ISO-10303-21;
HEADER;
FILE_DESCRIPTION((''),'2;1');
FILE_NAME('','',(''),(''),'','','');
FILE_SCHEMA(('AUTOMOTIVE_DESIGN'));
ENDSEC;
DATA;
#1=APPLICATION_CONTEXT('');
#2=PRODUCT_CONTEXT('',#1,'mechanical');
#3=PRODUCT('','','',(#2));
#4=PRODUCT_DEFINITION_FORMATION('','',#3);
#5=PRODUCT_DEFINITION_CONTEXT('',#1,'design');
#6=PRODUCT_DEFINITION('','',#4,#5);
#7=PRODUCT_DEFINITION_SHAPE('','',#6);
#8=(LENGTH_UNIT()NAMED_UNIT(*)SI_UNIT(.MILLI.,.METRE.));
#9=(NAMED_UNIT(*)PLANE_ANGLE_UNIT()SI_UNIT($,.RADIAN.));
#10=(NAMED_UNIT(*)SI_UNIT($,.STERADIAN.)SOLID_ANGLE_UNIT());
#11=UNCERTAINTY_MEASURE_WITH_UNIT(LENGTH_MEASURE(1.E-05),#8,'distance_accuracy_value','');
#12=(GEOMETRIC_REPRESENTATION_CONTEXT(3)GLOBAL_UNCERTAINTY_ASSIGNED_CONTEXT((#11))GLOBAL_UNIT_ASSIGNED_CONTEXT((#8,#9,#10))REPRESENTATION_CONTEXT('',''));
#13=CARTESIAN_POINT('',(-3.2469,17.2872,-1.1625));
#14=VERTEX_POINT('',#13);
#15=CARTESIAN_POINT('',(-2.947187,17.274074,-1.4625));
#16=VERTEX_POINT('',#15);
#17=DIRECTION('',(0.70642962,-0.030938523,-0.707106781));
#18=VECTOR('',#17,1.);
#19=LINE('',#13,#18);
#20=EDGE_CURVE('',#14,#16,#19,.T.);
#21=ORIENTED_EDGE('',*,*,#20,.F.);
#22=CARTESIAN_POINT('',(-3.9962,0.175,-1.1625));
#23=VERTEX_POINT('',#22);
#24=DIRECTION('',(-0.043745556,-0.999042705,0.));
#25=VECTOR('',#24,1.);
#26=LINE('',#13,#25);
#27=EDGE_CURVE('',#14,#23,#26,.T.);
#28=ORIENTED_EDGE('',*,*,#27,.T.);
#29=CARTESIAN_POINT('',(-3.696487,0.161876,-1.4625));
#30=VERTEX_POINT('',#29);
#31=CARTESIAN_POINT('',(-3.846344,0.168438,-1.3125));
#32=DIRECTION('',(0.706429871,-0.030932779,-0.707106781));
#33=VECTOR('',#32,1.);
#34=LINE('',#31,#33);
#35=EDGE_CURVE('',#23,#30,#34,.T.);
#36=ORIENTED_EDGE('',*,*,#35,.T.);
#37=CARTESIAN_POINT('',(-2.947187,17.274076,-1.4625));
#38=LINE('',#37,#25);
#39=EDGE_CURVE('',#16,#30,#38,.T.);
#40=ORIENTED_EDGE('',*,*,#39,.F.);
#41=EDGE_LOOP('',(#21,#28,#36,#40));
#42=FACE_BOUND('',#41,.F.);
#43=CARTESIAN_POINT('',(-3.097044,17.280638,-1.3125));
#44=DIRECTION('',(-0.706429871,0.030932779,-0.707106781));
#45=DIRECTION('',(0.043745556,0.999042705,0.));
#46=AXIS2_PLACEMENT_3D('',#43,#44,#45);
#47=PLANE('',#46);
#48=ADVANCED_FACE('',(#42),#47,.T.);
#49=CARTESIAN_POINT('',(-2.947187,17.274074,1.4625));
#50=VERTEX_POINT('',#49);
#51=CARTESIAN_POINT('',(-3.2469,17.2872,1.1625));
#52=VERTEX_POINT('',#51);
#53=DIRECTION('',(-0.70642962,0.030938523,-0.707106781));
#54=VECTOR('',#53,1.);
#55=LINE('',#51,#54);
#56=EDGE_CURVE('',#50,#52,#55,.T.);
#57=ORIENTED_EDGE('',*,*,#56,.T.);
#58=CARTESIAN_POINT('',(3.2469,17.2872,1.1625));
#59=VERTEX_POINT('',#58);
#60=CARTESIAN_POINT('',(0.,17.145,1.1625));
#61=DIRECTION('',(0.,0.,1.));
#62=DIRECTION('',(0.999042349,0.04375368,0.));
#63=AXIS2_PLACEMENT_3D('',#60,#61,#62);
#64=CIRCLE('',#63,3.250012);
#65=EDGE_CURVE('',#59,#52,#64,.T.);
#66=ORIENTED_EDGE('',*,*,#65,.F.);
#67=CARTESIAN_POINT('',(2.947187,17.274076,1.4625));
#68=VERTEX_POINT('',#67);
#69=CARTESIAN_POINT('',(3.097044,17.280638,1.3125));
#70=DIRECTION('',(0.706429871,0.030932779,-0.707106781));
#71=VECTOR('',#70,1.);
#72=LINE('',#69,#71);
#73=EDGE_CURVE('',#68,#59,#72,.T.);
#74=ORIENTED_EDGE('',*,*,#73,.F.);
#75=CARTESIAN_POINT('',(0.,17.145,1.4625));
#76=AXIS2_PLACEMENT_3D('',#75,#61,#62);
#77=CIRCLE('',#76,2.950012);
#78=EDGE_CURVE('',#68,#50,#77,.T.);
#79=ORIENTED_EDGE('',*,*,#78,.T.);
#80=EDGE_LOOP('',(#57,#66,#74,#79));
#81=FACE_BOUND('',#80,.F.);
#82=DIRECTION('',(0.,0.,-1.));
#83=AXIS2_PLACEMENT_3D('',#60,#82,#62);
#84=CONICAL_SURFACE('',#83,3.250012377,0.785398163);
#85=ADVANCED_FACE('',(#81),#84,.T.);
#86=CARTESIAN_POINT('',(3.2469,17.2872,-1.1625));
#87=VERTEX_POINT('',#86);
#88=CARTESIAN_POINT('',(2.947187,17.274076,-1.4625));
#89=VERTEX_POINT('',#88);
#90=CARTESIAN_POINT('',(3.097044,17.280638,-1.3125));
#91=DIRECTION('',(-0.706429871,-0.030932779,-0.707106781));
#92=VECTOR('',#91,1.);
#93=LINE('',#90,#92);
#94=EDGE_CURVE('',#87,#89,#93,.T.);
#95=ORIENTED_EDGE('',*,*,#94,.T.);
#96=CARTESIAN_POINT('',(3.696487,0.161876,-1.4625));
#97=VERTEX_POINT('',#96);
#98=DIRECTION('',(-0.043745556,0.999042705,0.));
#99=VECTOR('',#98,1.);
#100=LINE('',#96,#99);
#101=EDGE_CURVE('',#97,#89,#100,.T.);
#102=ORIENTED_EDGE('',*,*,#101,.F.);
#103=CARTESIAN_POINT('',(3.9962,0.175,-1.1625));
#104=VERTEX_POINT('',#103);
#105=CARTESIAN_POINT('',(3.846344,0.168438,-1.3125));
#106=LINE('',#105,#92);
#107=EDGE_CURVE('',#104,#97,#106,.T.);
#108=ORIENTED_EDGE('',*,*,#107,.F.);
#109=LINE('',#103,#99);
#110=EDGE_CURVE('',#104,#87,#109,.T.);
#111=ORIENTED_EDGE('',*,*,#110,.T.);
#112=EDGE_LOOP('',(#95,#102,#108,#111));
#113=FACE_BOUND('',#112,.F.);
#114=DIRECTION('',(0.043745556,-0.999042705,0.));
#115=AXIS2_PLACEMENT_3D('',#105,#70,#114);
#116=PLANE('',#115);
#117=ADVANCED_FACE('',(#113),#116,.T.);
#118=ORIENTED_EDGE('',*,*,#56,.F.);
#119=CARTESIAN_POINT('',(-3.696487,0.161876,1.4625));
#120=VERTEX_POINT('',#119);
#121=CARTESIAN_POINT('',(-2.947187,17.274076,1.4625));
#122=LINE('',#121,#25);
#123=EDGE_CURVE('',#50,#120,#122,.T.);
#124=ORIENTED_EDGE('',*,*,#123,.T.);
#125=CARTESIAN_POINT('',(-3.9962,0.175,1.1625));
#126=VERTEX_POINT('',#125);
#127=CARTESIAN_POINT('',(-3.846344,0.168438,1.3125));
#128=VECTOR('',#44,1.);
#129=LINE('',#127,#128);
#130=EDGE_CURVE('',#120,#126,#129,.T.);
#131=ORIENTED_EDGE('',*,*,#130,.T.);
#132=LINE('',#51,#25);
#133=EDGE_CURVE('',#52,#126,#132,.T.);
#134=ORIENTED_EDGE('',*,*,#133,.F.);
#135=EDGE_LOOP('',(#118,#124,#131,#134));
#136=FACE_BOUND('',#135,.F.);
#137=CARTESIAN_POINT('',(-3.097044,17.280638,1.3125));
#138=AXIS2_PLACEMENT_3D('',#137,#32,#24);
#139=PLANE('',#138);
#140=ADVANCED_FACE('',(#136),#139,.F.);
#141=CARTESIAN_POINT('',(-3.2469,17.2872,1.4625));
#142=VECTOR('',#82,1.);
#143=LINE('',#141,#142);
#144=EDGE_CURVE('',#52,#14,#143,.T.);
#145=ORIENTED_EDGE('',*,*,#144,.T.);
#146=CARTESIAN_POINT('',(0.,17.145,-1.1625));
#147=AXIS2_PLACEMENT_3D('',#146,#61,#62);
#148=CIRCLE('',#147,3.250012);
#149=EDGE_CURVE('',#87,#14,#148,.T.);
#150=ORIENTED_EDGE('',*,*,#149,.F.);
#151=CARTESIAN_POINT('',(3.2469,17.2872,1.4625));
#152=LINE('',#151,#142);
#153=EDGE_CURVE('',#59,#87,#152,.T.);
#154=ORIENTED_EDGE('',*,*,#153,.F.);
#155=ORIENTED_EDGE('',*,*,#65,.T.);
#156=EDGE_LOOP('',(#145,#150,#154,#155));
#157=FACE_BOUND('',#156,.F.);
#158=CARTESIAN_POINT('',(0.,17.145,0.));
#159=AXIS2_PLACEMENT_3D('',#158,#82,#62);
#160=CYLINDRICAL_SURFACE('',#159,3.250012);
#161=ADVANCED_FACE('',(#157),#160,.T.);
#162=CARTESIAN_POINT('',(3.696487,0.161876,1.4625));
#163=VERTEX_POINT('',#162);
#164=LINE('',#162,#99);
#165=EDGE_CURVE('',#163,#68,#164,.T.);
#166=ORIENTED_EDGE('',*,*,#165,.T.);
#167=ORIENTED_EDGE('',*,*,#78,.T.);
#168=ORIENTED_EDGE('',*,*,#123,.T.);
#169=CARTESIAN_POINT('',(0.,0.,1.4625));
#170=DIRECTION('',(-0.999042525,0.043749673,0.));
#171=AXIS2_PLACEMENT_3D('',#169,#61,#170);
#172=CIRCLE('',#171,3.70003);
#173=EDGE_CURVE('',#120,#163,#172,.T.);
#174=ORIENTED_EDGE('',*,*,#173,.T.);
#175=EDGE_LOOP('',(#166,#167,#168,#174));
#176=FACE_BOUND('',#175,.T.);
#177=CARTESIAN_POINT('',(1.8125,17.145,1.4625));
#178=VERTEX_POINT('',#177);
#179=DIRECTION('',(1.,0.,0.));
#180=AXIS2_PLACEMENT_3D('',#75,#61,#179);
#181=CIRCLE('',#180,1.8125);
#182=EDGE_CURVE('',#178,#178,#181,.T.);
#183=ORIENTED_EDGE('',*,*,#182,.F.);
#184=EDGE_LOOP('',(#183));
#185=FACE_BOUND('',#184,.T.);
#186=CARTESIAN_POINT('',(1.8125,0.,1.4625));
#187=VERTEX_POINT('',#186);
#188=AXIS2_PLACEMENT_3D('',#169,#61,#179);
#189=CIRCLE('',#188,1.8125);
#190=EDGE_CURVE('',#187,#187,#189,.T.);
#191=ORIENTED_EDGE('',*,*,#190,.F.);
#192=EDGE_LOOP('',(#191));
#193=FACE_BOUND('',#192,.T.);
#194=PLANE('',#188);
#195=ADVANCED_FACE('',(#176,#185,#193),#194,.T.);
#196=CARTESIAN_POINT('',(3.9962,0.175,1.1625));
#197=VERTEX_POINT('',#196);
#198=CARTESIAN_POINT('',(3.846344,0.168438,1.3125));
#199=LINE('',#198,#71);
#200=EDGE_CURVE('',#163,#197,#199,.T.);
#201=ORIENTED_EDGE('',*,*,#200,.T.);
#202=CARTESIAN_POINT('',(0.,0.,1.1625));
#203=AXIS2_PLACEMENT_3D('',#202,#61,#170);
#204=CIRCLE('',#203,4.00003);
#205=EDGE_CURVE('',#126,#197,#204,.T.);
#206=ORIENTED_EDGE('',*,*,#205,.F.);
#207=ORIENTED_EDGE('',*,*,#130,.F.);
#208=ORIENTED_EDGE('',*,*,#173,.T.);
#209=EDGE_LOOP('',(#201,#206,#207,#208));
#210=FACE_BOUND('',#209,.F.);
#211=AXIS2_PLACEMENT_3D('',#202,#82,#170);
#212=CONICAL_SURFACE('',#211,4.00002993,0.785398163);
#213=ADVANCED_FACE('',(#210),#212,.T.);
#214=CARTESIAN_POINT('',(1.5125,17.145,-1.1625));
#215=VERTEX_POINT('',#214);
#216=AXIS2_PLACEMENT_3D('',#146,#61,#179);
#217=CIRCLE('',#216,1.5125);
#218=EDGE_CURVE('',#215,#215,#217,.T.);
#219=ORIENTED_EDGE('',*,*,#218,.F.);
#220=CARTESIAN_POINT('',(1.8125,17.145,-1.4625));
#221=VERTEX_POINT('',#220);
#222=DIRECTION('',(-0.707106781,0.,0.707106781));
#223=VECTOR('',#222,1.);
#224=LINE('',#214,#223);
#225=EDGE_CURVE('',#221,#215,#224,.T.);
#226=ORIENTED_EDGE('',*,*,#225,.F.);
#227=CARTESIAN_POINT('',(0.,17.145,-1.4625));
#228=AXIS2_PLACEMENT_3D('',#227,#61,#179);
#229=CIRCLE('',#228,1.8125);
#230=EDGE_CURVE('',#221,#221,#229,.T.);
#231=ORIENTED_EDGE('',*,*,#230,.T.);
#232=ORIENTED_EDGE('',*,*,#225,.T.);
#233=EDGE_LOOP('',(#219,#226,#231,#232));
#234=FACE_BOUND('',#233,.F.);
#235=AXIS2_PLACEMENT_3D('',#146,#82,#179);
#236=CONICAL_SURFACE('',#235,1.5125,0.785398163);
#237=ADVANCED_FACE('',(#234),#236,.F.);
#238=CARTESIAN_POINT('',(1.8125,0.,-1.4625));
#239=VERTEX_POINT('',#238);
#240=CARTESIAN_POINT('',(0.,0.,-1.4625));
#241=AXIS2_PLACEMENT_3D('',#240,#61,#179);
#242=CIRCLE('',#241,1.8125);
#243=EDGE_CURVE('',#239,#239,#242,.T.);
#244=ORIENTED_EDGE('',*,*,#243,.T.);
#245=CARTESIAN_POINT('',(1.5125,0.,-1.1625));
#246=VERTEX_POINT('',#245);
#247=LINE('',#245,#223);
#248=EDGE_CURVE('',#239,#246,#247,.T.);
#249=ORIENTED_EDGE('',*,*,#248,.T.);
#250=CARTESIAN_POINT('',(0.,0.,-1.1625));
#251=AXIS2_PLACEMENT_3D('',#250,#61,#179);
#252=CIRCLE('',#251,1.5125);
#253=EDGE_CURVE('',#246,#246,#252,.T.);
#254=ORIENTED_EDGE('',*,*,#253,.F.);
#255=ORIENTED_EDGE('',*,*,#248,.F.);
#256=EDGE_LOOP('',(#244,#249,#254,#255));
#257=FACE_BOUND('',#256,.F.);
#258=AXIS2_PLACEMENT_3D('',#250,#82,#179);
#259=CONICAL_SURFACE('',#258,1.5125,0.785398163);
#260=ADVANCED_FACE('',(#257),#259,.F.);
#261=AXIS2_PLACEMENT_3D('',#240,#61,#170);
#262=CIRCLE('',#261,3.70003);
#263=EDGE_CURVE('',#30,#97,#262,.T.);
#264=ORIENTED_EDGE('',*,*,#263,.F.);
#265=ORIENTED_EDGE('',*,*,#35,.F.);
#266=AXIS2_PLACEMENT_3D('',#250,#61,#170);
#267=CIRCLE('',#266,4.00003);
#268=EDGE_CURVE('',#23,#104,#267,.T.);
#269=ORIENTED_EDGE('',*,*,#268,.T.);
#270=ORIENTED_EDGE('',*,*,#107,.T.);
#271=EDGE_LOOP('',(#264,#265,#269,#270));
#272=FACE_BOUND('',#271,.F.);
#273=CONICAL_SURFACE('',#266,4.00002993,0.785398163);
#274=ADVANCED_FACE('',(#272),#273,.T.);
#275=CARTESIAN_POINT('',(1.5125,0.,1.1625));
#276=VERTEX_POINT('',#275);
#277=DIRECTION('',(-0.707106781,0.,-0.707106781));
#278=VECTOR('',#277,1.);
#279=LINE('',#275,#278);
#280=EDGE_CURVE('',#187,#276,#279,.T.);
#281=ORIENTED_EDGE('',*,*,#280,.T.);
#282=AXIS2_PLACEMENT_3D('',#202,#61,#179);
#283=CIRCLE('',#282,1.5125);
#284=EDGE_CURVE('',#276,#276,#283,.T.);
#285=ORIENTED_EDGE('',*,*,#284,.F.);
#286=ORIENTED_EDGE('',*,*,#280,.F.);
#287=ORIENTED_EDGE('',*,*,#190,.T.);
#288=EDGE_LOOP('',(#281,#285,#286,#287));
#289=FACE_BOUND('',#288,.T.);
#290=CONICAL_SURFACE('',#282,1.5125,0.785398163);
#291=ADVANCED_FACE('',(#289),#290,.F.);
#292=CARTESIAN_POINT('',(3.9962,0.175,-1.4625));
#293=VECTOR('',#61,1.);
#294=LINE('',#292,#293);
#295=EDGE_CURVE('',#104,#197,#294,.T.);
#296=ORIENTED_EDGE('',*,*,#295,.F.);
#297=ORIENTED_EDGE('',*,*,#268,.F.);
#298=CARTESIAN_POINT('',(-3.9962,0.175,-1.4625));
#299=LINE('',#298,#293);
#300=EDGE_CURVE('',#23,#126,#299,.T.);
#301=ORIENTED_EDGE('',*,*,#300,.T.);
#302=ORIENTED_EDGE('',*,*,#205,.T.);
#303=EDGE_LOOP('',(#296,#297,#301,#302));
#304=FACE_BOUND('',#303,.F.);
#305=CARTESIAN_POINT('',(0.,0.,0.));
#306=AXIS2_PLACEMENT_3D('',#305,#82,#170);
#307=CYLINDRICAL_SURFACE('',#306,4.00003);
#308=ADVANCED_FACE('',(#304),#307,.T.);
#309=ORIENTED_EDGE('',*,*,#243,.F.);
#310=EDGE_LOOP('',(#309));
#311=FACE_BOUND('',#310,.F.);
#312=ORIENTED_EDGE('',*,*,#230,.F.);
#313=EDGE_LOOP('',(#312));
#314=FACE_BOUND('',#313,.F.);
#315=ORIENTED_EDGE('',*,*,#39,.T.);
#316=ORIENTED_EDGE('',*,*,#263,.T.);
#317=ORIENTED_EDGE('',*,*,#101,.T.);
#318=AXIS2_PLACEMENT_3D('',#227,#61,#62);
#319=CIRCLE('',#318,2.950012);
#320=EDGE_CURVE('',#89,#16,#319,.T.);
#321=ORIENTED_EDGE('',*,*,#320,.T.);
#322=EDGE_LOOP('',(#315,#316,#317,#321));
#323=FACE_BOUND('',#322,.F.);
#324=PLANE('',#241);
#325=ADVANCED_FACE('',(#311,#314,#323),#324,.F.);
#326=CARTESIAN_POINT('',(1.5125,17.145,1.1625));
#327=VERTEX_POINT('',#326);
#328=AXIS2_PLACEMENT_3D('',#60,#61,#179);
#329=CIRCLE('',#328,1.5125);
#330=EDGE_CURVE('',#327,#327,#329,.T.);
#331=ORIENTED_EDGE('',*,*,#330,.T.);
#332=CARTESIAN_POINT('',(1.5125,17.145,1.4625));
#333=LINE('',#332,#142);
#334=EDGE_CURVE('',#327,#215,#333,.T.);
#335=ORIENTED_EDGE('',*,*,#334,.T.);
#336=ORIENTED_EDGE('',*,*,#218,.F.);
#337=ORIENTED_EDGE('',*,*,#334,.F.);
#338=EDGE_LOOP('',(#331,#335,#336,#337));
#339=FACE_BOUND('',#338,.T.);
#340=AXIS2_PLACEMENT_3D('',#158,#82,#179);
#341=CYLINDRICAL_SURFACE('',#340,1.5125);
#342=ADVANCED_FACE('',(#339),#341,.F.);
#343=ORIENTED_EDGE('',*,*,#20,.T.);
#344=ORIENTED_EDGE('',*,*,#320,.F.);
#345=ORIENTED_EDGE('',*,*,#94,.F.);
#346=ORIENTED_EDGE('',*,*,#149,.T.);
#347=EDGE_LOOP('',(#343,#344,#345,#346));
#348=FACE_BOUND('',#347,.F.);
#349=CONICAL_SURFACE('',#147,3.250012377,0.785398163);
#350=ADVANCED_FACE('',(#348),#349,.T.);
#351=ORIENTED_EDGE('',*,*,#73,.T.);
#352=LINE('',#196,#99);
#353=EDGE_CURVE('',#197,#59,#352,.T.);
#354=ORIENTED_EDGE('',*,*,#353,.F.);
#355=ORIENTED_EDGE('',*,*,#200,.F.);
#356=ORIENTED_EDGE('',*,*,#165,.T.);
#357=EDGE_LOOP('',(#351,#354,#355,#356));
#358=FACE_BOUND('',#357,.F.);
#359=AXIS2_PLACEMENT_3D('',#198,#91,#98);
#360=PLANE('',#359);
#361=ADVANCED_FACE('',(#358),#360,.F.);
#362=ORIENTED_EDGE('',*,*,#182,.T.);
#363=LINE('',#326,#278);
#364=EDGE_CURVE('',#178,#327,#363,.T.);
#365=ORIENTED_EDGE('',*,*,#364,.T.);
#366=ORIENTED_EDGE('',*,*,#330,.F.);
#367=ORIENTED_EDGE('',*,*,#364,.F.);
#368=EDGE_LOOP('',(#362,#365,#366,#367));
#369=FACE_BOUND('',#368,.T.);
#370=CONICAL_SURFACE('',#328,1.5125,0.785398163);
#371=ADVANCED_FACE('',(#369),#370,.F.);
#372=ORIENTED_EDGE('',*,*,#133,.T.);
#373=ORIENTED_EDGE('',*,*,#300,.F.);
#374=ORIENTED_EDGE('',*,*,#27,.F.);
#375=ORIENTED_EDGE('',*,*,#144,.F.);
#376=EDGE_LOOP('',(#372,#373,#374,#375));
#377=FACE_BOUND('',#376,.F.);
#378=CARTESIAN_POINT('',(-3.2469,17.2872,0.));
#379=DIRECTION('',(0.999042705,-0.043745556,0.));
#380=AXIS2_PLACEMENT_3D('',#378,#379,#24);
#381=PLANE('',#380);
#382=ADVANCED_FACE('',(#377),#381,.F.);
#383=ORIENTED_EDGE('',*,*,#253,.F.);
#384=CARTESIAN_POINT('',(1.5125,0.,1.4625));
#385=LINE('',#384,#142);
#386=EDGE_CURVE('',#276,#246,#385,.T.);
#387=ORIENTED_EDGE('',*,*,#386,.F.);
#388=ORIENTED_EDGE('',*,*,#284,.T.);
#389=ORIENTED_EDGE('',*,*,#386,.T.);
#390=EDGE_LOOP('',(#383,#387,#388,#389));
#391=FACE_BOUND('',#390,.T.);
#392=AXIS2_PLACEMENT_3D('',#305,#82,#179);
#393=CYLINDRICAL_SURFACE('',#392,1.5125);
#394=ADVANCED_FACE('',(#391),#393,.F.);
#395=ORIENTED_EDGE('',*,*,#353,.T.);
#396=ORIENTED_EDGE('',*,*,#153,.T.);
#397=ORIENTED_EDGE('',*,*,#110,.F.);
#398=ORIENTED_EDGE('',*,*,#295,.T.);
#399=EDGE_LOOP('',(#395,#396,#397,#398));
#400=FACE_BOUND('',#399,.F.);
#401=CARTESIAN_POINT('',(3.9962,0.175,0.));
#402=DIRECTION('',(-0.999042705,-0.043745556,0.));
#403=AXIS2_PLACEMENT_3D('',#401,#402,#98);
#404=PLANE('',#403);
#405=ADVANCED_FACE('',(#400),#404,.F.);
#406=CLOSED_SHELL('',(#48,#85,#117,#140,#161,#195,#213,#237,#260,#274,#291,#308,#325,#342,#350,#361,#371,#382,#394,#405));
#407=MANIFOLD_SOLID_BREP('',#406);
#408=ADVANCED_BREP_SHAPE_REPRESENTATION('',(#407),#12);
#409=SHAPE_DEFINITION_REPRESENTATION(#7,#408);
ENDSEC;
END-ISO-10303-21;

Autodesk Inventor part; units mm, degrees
ref_plane "YZ Plane" through (0, 0, 0) normal (1, 0, 0) x (0, 1, 0)
ref_plane "XZ Plane" through (0, 0, 0) normal (0, 1, 0) x (-1, 0, 0)
ref_plane "XY Plane" through (0, 0, 0) normal (0, 0, 1) x (1, 0, 0)
sketch "Sketch1" plane through (0, 0, 0) normal (0, 0, 1) x (1, 0, 0)
  circle A0 centre (0, 0) radius 1.5125
  circle A1 centre (0, 17.145) radius 1.5125
  line L0 (0, 0) -> (0, 17.145) construction
  arc A2 (-3.9962, 0.175) -> (3.9962, 0.175) centre (0, 0) ccw
  arc A3 (3.2469, 17.2872) -> (-3.2469, 17.2872) centre (0, 17.145) ccw
  line L1 (-3.2469, 17.2872) -> (-3.9962, 0.175)
  line L2 (3.9962, 0.175) -> (3.2469, 17.2872)
  dimension "d2" = 17.145
  dimension "d3" = 4
  dimension "d4" = 3.025
  dimension "d12" = 3.25
extrude "Extrusion1" add sketch "Sketch1" along normal mid plane 2.925
sketch "Sketch2" plane through (0, 0, 1.4625) normal (0, 0, 1) x (1, 0, 0)
  circle A0 centre (0, 0) radius 1.5125 projected
  arc A1 (-3.9962, 0.175) -> (3.9962, 0.175) centre (0, 0) ccw construction
  circle A2 centre (0, 0) radius 4
extrude "Extrusion2" [suppressed]
chamfer "Chamfer1" distance 0.3 angle 45 12 edges at (3.6215, 8.7311, -1.4625) (0, -4, -1.4625) (-3.6215, 8.7311, -1.4625) (0, 20.395, -1.4625) (-1.5125, 17.145, -1.4625) (-1.5125, 17.145, 1.4625) (3.6215, 8.7311, 1.4625) (0, 20.395, 1.4625) (-3.6215, 8.7311, 1.4625) (0, -4, 1.4625) (-1.5125, 0, -1.4625) (-1.5125, 0, 1.4625)
equation "\"d2\" = hinge_guid_length_a"
equation "\"d3\" = 0.5 * finger_thickness"
equation "\"d4\" = bore_clearance"
equation "\"d12\" = 0.5 * bar_diameter"
equation "\"d5\" = hinge_thickness - finger_link_clearence"
equation "\"d9\" = champfer"
equation "\"bore_press\" = 2.925"
equation "\"bore_clearance\" = 3.025"
equation "\"hinge_act_length_ab\" = 11.049"
equation "\"hinge_act_length_bc\" = 16.66875"
equation "\"bar_diameter\" = 6.5"
equation "\"hinge_thickness\" = 3"
equation "\"finger_width\" = 25"
equation "\"finger_thickness\" = 8"
equation "\"finger_part_A_length\" = 42.8625"
equation "\"finger_part_B_length\" = 28.575"
equation "\"finger_link_width\" = 3.5"
equation "\"finger_link_clearence\" = 0.075"
equation "\"tol\" = 0.5 * finger_link_clearence"
equation "\"link_tol\" = 0.254"
equation "\"bar_thickness\" = 4"
equation "\"bar_width\" = 7"
equation "\"hinge_dist_sym_plane\" = 4"
equation "\"hinge_act_length_c\" = 7.62"
equation "\"hinge_act_length_a\" = 21.43125"
equation "\"hinge_guid_length_c\" = 9.525"
equation "\"hinge_guid_length_bc\" = 9.525"
equation "\"hinge_guid_length_ab\" = 17.145"
equation "\"hinge_guid_length_a\" = 17.145"
equation "\"bar_length_bc\" = finger_part_B_length"
equation "\"bar_act_length_ab\" = 40.48125"
equation "\"bar_guid_length_ab\" = 43.275"
equation "\"champfer\" = 0.3"
equation "\"fillet\" = 0.4"
equation "\"dist_finger_BC\" = 56.5"
equation "\"gear_diameter\" = 14"
equation "\"hinge_point\" = 15"
properties part number "hinge_guid_a"
